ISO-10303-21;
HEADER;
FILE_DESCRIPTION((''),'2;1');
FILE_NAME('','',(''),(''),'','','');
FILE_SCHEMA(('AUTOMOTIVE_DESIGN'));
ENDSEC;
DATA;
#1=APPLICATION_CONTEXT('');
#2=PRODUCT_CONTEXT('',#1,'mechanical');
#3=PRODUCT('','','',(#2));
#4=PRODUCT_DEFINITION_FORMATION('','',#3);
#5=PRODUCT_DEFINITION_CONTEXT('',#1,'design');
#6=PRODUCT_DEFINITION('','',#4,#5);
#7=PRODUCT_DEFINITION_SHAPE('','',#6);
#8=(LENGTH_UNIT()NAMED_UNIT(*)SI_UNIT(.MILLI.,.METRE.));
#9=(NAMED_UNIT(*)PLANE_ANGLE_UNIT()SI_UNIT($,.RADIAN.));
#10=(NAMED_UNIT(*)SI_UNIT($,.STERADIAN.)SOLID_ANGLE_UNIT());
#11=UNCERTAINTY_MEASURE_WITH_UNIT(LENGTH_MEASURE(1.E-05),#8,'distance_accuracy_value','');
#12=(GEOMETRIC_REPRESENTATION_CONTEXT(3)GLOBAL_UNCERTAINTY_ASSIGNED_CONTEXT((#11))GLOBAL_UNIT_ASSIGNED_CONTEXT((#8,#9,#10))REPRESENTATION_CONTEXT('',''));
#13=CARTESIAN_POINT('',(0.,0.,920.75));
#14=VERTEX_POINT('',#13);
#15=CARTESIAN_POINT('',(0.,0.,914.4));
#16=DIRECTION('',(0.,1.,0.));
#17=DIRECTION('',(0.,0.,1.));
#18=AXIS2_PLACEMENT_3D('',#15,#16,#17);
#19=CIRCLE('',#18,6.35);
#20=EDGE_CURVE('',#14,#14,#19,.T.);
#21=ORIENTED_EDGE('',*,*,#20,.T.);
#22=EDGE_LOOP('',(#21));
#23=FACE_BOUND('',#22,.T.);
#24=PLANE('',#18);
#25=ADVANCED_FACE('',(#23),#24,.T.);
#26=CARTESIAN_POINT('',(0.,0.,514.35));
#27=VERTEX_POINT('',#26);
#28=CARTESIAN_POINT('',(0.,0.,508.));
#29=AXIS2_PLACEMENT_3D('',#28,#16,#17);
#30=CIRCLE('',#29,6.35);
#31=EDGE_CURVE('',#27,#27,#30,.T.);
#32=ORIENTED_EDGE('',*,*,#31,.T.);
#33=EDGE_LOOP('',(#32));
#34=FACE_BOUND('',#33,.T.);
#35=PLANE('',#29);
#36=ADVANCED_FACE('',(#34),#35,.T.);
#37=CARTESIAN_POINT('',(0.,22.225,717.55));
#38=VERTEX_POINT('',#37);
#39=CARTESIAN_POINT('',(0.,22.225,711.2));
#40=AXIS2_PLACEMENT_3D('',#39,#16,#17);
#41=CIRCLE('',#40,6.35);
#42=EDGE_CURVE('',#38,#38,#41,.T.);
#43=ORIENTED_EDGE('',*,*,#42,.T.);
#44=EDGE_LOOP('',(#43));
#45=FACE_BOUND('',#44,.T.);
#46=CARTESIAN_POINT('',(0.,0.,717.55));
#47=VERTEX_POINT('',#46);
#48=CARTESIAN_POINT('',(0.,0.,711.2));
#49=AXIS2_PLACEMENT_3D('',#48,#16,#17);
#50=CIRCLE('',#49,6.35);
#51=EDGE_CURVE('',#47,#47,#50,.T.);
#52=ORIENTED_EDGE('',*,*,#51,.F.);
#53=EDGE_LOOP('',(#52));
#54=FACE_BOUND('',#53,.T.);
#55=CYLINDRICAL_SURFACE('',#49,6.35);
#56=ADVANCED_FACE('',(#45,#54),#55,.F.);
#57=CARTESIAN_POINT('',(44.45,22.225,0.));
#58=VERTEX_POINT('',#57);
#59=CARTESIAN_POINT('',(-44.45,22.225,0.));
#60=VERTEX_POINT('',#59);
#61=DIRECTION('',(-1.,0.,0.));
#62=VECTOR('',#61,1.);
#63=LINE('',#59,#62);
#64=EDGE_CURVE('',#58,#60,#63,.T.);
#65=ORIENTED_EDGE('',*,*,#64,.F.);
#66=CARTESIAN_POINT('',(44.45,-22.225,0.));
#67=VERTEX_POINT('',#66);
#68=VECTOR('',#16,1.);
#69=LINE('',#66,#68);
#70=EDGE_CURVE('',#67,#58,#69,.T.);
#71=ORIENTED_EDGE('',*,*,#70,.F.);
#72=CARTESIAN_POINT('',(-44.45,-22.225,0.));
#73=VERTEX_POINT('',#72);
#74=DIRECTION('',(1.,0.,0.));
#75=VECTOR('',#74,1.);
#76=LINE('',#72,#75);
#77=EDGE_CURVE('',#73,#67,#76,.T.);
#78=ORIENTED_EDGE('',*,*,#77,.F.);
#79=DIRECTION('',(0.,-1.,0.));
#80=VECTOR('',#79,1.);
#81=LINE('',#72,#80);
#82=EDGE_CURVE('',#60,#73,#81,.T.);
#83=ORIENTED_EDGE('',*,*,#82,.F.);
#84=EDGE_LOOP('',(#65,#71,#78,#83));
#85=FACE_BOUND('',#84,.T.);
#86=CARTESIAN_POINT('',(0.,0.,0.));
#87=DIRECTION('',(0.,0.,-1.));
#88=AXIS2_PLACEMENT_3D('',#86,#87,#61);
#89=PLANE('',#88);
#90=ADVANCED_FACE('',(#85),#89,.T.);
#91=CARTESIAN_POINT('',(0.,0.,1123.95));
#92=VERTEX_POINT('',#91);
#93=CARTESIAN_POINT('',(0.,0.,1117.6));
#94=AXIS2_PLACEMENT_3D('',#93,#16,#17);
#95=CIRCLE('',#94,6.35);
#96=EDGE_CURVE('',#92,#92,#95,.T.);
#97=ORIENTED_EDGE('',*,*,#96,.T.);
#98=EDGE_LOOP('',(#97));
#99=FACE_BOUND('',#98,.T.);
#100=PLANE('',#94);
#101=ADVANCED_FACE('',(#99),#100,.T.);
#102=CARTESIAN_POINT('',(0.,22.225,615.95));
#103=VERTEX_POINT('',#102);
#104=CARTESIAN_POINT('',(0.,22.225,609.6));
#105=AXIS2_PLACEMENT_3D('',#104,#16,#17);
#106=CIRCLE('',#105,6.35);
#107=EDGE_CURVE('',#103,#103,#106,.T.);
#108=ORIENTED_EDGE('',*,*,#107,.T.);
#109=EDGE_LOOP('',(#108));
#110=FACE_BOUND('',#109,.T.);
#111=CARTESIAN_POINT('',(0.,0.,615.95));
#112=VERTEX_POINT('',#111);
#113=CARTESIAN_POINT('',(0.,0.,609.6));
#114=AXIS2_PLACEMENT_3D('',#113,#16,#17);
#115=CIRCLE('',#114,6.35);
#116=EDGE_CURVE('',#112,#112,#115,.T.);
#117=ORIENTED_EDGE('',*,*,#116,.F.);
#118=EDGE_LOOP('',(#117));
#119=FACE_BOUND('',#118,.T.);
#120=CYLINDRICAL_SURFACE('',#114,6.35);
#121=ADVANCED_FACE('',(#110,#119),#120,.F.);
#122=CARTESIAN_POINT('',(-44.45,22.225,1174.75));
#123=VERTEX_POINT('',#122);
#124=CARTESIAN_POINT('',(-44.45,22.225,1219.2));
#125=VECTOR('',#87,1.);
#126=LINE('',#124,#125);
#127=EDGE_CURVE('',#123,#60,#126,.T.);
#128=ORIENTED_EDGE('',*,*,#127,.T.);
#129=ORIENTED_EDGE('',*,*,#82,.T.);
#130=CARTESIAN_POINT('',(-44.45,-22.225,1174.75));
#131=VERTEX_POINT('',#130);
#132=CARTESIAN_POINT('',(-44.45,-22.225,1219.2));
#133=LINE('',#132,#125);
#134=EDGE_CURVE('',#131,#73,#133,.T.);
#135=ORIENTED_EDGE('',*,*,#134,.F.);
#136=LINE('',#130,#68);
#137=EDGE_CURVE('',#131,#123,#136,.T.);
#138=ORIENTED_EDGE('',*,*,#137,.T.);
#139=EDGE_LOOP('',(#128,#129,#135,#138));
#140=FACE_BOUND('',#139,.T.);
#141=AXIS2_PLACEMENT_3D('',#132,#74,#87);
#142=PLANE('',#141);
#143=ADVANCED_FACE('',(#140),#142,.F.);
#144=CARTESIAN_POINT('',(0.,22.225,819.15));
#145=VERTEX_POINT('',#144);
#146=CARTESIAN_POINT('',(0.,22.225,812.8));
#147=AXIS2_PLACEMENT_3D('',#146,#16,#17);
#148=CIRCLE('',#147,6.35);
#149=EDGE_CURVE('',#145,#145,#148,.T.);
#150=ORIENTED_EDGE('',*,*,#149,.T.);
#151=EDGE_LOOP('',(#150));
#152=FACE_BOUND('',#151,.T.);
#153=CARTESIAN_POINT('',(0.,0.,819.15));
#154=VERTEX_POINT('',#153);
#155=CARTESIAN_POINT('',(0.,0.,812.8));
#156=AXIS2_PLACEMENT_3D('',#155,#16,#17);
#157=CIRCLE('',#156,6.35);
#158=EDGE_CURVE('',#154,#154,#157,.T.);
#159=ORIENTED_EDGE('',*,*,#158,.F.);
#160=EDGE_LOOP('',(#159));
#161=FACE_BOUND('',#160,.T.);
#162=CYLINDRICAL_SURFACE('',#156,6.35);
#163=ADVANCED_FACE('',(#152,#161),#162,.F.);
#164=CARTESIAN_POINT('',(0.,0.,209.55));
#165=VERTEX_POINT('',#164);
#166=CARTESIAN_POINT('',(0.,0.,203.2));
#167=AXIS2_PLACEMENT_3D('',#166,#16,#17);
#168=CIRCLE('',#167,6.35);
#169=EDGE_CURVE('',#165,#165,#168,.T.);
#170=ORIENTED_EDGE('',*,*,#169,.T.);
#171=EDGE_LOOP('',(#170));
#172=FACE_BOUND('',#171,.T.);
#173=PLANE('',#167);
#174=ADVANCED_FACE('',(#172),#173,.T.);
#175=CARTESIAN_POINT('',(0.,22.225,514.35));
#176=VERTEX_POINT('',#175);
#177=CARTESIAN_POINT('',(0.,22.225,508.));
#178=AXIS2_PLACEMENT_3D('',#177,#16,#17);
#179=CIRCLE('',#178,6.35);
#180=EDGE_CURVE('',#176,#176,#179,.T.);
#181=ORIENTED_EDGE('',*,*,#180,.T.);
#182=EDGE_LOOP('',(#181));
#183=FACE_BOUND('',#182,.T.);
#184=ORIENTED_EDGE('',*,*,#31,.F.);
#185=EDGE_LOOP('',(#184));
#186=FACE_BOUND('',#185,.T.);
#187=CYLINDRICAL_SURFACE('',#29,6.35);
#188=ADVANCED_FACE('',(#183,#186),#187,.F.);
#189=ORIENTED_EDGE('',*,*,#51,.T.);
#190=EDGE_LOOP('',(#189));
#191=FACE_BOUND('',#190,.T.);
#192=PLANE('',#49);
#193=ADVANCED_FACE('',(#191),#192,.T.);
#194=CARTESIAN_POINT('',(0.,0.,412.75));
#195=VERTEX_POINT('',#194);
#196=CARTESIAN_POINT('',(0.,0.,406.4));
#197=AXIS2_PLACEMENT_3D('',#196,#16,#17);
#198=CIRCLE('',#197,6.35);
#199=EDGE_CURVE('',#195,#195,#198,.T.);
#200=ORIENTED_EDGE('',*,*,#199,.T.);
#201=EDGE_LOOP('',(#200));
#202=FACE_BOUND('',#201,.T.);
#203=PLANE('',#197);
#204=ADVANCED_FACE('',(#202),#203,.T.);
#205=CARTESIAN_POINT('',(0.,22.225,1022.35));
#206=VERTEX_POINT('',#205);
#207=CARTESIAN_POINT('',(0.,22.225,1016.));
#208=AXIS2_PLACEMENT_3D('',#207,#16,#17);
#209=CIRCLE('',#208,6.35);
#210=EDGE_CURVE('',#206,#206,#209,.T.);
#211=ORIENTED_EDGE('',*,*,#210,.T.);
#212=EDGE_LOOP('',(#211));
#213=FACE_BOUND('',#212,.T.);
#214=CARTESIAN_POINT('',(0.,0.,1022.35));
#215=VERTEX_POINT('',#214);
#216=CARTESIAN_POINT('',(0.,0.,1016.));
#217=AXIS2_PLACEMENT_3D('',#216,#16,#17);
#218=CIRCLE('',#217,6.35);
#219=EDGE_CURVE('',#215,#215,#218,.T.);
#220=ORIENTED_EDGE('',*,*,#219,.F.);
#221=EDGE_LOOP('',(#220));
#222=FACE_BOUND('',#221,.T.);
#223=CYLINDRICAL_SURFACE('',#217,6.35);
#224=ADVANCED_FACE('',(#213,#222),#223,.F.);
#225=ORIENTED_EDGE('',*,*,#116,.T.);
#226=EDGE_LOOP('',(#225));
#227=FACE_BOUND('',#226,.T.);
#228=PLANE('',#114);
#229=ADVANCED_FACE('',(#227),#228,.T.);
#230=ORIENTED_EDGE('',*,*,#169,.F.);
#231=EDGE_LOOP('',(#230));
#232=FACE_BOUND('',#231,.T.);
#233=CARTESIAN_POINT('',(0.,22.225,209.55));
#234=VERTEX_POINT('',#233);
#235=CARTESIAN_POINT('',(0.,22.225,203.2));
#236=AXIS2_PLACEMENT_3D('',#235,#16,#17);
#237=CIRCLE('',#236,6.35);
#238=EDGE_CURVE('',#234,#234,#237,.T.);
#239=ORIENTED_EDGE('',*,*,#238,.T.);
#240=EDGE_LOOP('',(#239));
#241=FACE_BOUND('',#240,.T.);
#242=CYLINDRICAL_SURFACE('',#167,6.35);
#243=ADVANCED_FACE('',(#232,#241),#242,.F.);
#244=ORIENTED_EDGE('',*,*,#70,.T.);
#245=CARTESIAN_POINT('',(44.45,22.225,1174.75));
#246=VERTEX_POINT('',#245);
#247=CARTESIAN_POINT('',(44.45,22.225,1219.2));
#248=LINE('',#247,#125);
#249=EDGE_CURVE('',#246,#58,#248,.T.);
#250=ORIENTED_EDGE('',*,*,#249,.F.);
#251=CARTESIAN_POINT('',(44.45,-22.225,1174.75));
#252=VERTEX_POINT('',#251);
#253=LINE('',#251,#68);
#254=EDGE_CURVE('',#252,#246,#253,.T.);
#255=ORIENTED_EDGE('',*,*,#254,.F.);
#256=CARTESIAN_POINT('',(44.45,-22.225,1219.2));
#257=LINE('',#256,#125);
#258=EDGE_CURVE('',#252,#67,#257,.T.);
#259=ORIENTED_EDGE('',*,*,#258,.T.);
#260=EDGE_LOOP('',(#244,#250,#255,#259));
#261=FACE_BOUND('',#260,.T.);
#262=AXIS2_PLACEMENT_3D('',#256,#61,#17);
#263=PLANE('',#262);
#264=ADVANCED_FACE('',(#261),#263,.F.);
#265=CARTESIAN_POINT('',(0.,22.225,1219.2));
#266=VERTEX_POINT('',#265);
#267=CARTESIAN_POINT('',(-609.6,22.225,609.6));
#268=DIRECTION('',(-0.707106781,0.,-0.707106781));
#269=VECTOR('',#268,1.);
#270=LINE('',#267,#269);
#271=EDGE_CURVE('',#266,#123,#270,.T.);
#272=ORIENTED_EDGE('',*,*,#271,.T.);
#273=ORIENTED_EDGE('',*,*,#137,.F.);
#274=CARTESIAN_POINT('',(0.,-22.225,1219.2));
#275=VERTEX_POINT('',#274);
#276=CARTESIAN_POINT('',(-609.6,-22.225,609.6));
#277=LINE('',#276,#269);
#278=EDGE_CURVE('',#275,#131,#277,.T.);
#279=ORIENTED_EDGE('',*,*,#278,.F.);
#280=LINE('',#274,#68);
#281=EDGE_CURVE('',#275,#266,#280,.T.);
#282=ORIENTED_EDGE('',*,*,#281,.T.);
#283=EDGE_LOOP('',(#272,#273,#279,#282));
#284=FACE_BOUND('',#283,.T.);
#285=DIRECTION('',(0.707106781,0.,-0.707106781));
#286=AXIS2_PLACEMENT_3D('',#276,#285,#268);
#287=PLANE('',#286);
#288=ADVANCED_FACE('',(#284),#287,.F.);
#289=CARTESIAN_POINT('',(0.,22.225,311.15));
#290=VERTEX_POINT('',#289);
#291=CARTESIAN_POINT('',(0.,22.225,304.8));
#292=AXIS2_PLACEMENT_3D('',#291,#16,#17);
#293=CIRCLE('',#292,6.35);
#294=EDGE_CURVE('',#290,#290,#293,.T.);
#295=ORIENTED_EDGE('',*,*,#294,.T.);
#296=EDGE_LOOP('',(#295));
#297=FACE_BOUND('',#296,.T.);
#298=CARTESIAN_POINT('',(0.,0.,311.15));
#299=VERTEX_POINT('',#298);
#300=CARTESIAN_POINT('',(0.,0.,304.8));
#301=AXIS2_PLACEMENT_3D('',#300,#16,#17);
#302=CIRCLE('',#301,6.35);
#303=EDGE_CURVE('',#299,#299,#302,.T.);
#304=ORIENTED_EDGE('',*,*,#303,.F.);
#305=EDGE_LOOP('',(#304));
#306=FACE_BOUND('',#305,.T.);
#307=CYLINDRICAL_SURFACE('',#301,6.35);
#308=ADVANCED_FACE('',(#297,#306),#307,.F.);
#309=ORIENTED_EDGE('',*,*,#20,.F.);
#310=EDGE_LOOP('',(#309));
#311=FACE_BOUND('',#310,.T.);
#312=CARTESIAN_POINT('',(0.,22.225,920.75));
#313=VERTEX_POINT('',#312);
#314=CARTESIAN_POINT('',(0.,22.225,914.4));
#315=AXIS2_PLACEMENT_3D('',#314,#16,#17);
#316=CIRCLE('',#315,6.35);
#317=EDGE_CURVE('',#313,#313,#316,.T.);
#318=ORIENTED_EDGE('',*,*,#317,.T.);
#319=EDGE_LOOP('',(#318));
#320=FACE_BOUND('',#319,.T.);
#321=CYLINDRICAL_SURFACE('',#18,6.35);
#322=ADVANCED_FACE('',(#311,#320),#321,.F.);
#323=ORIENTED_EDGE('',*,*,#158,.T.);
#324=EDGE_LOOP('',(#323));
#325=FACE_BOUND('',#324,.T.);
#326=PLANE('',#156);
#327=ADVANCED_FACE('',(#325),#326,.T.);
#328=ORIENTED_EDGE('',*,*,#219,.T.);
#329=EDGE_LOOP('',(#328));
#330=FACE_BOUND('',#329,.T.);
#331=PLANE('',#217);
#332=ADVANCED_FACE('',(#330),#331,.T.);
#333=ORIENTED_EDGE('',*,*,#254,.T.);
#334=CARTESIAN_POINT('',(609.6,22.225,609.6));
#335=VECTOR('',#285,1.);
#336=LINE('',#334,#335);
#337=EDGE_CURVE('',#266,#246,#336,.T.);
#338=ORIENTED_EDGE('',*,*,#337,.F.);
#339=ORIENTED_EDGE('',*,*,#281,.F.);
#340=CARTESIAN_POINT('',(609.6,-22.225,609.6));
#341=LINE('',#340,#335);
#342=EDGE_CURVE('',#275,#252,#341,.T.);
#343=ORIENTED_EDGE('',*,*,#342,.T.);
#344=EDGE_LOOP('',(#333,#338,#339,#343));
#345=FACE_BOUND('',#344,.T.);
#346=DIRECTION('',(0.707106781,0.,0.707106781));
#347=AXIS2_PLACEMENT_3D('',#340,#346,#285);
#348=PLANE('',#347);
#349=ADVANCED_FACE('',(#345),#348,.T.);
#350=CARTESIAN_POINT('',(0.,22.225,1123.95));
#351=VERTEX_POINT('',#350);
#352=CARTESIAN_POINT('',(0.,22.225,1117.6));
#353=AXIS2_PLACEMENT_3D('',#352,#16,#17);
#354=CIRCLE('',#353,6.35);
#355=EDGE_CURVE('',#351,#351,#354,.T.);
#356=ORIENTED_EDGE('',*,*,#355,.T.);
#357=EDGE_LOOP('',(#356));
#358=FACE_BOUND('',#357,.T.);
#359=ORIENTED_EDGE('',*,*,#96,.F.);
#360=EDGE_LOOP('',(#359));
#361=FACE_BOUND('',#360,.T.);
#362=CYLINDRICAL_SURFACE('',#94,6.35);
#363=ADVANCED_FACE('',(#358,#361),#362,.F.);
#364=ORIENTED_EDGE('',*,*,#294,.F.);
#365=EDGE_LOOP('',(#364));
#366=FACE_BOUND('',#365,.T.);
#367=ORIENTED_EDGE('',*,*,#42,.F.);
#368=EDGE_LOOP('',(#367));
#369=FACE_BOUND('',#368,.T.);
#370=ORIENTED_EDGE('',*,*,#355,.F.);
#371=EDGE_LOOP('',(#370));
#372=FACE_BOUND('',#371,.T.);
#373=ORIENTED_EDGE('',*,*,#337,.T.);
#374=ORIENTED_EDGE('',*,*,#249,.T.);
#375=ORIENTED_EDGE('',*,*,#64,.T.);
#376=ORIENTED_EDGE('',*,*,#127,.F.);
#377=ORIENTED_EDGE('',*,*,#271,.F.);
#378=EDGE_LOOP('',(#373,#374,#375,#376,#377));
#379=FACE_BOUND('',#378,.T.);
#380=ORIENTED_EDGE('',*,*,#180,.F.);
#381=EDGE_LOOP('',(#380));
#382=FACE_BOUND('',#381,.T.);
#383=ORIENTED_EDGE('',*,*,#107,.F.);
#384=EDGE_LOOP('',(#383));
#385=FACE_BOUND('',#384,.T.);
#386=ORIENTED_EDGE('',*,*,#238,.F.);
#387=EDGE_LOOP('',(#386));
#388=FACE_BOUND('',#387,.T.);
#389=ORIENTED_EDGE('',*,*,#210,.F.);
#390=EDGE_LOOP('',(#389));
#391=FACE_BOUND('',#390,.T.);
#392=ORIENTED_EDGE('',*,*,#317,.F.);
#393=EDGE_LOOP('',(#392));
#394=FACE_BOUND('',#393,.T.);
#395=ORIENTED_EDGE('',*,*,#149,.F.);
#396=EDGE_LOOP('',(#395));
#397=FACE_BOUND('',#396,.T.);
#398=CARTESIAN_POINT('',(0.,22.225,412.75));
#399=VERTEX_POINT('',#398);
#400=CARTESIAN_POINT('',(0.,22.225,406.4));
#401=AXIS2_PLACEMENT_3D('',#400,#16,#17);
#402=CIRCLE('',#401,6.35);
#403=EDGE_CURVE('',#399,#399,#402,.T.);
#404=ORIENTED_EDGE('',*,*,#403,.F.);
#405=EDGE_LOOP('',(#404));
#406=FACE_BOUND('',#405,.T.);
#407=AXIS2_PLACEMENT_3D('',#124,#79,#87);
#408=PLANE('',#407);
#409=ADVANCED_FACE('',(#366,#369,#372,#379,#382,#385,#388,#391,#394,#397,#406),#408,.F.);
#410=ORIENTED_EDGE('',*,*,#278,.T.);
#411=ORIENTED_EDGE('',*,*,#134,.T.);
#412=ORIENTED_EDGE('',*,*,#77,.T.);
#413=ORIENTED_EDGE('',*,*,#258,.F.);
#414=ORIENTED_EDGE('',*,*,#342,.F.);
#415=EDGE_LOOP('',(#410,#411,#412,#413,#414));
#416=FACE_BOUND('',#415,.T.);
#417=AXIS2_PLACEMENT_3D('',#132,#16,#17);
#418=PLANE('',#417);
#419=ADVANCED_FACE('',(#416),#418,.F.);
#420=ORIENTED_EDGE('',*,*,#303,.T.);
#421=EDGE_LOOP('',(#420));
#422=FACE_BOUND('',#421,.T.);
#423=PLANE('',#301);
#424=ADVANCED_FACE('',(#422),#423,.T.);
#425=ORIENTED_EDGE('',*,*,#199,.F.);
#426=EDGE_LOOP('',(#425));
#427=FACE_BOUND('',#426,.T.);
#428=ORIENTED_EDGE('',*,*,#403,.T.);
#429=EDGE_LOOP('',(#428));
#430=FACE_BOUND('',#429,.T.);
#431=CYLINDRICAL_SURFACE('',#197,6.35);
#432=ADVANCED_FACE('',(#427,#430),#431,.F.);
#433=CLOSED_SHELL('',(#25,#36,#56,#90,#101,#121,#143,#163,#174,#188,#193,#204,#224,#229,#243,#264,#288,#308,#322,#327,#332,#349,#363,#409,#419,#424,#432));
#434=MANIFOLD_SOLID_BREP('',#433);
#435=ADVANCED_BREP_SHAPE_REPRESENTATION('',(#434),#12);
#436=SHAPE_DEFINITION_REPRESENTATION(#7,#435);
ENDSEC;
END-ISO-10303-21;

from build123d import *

# Parameters (mm, degrees)
SKETCH1_W           = 88.9
SKETCH1_H           = 44.45
BOSS_EXTRUDE1_DEPTH = 1219.2
CUT_EXTRUDE1_DEPTH  = 1221.819497305
SKETCH3_R           = 6.35
CUT_EXTRUDE2_DEPTH  = 22.225
LPATTERN1_COUNT     = 10
LPATTERN1_PITCH     = 101.6


with BuildPart() as part:
    # Sketch1 → Boss-Extrude1 (new body)
    with BuildSketch(Plane.XY):
        Rectangle(SKETCH1_W, SKETCH1_H)
    extrude(amount=BOSS_EXTRUDE1_DEPTH)

    # Sketch2 → Cut-Extrude1 (cut, through all)
    with BuildSketch(Plane(origin=(0, 22.225, 0), x_dir=(1, 0, 0), z_dir=(0, 1, 0))):
        Polygon((-44.45, -1219.2), (0, -1219.2), (-44.45, -1174.75), align=None)
        Polygon((44.45, -1174.75), (0, -1219.2), (44.45, -1219.2), align=None)
    extrude(amount=-CUT_EXTRUDE1_DEPTH, mode=Mode.SUBTRACT)

    # Sketch3 → Cut-Extrude2 (cut)
    with BuildSketch(Plane(origin=(0, 22.225, 0), x_dir=(1, 0, 0), z_dir=(0, 1, 0))):
        with Locations(Location((0, -1117.6, 0), (0, 0, 270))):
            Circle(SKETCH3_R)
    cut_extrude2 = extrude(amount=-CUT_EXTRUDE2_DEPTH, mode=Mode.SUBTRACT)

    # LPattern1: Cut-Extrude2 ×10
    with Locations(*[(0, 0, -i * LPATTERN1_PITCH) for i in range(1, LPATTERN1_COUNT)]):
        add(cut_extrude2, mode=Mode.SUBTRACT)


solid = part.part
